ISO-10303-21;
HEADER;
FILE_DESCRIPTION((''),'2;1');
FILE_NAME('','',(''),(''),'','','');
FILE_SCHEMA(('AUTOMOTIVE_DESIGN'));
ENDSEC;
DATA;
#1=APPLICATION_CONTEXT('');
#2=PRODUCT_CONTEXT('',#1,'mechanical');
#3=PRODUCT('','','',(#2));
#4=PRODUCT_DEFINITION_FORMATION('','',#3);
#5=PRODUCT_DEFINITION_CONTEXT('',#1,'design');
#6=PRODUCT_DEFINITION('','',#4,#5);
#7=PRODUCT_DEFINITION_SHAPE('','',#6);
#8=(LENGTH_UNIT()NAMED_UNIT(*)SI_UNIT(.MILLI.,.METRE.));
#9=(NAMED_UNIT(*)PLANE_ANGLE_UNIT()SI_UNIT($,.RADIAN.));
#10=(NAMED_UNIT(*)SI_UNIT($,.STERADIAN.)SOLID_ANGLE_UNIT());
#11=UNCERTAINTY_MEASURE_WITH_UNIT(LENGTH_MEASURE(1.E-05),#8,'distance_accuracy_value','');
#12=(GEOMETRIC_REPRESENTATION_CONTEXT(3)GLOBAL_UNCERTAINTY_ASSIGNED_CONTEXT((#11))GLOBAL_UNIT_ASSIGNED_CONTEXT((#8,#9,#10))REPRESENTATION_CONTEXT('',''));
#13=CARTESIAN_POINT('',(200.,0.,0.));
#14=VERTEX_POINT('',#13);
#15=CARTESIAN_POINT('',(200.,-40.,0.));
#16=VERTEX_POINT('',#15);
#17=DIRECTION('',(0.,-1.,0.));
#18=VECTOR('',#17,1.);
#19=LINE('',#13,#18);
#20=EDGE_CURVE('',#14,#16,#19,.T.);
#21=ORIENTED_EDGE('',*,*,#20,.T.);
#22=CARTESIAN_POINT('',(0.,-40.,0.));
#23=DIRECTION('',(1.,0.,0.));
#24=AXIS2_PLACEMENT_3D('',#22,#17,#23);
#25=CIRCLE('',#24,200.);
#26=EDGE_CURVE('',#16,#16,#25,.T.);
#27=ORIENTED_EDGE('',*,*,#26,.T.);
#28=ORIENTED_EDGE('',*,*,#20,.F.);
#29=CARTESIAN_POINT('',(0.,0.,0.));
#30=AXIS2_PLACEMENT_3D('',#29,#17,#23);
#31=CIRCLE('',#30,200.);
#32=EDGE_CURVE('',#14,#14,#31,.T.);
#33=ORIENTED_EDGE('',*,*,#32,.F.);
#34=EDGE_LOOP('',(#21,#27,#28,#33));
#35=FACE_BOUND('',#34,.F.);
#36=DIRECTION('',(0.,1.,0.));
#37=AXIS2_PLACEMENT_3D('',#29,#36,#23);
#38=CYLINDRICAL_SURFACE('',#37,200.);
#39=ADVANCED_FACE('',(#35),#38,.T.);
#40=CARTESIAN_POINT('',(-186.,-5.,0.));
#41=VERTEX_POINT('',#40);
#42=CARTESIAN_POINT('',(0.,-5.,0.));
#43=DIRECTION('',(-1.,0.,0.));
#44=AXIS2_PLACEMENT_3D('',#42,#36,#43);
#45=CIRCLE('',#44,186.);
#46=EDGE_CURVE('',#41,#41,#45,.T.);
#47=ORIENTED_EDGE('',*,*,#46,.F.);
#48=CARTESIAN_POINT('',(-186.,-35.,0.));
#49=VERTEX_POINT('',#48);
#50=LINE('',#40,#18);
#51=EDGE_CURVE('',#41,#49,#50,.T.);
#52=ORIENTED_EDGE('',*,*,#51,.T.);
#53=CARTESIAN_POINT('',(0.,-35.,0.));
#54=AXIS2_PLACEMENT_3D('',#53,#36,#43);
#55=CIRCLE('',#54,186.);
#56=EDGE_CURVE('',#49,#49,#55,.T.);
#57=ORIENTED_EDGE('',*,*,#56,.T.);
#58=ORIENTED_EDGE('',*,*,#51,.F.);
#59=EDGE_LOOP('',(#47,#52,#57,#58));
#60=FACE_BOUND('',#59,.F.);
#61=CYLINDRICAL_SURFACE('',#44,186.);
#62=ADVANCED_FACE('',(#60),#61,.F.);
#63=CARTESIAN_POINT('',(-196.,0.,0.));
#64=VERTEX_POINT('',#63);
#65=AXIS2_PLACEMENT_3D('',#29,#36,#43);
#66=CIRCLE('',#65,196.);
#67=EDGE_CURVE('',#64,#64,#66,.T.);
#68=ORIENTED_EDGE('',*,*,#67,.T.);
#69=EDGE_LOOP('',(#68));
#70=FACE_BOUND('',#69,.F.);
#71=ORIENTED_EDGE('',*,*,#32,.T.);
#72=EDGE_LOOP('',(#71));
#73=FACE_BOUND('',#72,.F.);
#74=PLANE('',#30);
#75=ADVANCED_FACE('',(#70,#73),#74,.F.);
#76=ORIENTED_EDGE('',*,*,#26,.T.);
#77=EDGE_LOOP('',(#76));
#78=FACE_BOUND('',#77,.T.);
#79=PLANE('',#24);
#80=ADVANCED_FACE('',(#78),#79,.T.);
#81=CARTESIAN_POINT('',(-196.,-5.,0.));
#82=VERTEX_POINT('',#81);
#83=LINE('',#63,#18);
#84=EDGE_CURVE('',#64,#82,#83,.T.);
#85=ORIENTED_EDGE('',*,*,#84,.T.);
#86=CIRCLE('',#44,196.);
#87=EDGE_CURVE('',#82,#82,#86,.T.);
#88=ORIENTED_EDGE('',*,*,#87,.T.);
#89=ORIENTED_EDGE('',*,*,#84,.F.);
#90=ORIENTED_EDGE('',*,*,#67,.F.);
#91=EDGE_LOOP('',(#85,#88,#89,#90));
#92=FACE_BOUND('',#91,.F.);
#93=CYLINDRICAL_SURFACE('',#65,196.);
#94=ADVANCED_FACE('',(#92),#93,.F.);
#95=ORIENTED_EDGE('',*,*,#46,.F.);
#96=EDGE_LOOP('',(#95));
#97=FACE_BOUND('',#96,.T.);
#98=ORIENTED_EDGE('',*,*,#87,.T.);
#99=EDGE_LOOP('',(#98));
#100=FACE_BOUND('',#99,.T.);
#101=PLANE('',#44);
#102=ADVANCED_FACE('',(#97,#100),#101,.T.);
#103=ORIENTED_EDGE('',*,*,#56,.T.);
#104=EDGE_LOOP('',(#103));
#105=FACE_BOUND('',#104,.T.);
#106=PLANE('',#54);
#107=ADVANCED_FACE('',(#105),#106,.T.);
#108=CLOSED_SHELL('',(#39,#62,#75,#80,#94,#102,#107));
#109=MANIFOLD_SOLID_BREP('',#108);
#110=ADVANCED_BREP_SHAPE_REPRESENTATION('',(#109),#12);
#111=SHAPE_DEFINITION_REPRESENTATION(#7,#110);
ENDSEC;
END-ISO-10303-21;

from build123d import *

# Parameters (mm, degrees)
F0_R     = 200
F1_DEPTH = 40
F2_R     = 196
F4_DEPTH = 5
F5_R     = 186
F6_DEPTH = 30


with BuildPart() as f1:
    # F0 (on Front) → F1 (new body)
    with BuildSketch(Plane.XZ):
        Circle(F0_R)
    extrude(amount=F1_DEPTH)

    # F2 (on face) → F4 (cut)
    with BuildSketch(Plane(origin=(0, 0, 0), x_dir=(-1, 0, 0), z_dir=(0, 1, 0))):
        Circle(F2_R)
    extrude(amount=-F4_DEPTH, mode=Mode.SUBTRACT)

    # F5 (on face) → F6 (cut)
    with BuildSketch(Plane(origin=(0, -5, 0), x_dir=(-1, 0, 0), z_dir=(0, 1, 0))):
        Circle(F5_R)
    extrude(amount=-F6_DEPTH, mode=Mode.SUBTRACT)


solid = f1.part
